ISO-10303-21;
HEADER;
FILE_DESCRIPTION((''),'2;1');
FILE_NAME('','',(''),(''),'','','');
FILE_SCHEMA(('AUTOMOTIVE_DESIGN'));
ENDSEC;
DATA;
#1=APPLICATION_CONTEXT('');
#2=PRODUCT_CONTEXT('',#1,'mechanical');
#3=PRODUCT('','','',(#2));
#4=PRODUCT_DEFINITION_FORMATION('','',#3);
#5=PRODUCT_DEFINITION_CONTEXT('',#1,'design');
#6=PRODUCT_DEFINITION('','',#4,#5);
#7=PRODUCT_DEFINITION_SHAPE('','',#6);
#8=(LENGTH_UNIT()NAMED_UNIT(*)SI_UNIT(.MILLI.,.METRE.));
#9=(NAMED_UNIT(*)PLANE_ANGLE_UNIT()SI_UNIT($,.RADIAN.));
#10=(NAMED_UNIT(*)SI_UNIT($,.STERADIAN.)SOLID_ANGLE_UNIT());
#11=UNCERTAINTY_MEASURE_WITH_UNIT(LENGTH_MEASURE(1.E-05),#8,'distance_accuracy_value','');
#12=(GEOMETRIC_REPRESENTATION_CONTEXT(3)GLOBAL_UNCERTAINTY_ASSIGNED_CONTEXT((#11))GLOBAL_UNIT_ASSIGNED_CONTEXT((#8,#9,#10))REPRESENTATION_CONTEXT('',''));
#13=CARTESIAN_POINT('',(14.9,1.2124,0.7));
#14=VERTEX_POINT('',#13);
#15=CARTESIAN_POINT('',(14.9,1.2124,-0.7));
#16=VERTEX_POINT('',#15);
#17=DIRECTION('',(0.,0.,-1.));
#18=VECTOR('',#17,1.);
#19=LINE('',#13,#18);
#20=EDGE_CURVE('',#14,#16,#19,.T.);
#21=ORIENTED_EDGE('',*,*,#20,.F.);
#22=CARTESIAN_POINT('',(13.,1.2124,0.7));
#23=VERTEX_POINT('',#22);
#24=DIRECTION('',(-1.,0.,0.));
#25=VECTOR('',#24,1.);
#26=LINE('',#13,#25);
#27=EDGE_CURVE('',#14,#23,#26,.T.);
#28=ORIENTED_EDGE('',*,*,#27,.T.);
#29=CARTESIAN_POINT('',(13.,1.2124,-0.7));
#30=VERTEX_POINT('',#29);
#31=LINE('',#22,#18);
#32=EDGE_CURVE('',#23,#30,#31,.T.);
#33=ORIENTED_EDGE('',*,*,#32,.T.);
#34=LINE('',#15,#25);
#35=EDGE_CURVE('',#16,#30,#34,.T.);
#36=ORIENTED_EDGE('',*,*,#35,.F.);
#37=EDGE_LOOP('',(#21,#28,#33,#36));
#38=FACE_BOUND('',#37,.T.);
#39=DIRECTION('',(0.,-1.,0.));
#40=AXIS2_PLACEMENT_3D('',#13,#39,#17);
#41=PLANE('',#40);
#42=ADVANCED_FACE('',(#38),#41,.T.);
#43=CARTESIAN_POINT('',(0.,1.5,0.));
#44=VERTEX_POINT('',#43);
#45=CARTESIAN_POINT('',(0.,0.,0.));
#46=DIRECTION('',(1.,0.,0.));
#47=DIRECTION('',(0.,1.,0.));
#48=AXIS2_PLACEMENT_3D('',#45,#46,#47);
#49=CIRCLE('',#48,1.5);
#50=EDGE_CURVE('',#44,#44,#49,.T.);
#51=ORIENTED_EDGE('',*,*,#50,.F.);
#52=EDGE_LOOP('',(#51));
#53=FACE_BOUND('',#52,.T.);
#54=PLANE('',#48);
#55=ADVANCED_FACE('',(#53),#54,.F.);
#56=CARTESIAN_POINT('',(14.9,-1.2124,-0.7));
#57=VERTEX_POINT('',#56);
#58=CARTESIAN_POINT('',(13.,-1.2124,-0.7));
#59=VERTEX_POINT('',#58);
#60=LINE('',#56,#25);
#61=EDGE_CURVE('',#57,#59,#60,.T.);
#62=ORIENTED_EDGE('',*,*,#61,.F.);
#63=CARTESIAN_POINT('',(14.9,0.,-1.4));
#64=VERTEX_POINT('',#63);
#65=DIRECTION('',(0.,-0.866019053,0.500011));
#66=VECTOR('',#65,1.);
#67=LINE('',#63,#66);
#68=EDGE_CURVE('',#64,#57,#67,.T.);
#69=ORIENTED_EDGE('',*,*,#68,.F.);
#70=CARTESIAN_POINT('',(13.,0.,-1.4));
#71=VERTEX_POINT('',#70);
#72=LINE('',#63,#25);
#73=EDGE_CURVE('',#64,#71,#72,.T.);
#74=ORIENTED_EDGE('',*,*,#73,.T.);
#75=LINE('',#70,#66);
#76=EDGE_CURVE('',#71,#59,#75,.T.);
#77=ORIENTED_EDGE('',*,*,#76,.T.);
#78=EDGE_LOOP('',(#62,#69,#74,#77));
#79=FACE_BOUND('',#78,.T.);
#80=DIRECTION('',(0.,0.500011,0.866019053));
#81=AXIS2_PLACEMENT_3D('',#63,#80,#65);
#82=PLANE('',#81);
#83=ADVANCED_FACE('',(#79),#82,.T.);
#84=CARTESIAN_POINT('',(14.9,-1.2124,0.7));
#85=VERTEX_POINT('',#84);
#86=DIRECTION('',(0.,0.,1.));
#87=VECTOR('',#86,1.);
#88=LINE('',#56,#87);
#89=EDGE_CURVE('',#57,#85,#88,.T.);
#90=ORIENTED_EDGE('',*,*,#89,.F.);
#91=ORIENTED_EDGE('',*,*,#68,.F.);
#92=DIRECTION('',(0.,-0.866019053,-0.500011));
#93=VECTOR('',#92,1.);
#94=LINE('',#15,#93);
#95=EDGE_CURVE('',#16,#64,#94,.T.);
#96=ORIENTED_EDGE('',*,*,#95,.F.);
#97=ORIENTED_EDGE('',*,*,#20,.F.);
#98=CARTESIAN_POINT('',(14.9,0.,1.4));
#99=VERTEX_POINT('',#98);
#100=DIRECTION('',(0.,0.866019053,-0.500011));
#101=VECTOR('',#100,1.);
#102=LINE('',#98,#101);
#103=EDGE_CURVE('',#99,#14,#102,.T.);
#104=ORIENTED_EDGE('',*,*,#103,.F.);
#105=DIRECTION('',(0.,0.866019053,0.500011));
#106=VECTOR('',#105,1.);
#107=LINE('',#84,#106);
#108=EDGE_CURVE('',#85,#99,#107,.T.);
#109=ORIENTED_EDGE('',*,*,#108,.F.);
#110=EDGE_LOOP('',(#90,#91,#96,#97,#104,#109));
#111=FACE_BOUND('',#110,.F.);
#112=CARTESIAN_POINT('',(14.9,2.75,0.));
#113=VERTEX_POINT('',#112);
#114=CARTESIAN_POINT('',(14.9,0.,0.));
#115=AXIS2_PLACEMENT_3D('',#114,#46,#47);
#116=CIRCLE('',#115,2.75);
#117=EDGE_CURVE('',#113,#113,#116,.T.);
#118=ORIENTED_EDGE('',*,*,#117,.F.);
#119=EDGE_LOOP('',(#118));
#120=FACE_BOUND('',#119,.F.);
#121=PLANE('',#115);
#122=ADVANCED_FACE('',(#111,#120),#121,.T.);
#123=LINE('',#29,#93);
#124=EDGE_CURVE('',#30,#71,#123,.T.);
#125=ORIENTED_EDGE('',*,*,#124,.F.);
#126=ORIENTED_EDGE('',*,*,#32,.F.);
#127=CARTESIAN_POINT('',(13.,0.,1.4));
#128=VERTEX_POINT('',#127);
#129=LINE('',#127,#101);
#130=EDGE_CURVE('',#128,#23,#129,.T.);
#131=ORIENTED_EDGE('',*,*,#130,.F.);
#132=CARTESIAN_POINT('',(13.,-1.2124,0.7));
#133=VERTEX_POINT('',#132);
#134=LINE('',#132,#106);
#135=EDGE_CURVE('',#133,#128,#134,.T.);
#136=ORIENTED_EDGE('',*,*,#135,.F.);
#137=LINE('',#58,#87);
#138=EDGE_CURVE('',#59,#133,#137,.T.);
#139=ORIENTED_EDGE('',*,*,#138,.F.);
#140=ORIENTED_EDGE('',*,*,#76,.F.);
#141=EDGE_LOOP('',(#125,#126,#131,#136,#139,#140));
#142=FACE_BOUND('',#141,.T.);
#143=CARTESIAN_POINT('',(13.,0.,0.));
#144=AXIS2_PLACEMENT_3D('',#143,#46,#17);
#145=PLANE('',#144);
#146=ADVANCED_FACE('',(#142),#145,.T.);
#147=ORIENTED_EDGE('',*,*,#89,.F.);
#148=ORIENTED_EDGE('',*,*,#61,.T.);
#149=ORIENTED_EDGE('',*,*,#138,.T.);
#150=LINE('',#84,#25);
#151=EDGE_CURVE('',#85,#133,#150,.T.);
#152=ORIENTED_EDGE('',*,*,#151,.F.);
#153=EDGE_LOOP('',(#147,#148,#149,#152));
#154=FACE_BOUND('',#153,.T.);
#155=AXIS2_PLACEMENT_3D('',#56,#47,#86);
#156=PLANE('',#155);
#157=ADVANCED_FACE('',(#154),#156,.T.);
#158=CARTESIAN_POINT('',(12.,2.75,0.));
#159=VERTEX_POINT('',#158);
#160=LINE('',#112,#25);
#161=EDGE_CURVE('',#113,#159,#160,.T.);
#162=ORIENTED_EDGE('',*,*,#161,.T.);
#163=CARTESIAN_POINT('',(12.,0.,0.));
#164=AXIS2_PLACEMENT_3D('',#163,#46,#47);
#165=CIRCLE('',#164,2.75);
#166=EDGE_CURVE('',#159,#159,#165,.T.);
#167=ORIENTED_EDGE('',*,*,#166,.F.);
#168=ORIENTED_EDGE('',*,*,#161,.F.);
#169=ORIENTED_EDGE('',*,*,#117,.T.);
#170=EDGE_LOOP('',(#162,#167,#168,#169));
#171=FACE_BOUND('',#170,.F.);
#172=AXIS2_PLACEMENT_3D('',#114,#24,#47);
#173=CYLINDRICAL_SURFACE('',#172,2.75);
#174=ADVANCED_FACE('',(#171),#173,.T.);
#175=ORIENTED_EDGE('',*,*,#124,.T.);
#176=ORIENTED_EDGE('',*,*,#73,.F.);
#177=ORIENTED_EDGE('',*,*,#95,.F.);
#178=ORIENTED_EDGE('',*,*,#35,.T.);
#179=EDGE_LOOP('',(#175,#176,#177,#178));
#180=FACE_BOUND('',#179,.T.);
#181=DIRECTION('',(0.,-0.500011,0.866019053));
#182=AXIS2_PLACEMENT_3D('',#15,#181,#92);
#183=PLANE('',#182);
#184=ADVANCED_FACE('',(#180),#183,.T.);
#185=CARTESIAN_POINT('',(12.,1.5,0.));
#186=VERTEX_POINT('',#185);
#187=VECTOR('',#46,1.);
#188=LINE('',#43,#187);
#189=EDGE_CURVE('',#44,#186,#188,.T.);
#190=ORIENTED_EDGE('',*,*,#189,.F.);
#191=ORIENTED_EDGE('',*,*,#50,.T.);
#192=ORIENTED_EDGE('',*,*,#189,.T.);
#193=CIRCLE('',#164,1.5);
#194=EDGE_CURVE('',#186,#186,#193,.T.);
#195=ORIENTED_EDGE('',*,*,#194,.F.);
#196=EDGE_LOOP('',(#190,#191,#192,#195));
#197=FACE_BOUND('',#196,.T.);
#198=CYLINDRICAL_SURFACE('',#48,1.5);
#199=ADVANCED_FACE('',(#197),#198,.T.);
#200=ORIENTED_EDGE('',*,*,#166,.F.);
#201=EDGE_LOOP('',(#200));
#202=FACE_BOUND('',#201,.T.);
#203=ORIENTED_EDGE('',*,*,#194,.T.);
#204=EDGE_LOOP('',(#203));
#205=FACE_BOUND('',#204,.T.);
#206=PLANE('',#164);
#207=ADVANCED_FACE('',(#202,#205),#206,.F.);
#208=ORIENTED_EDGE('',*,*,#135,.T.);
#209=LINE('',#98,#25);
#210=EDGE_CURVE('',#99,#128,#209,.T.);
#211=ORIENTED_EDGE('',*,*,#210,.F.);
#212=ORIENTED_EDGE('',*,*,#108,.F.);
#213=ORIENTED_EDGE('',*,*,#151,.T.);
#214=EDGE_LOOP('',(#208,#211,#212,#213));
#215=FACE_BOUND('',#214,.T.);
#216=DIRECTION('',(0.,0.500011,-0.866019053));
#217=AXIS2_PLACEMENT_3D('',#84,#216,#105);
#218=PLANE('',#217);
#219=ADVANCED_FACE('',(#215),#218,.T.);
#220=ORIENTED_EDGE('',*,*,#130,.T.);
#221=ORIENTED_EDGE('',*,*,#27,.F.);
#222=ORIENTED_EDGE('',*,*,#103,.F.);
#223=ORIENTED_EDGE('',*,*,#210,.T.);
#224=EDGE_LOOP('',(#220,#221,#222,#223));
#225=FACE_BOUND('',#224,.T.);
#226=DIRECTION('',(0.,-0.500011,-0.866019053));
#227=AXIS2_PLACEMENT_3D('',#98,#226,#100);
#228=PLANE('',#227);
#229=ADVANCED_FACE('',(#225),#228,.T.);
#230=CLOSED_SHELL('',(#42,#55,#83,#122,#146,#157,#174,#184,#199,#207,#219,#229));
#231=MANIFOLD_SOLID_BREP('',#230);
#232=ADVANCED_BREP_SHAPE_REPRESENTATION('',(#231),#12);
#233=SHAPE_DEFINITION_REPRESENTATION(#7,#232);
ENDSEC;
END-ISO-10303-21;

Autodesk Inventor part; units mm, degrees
ref_plane "YZ Plane" through (0, 0, 0) normal (1, 0, 0) x (0, 1, 0)
ref_plane "XZ Plane" through (0, 0, 0) normal (0, 1, 0) x (-1, 0, 0)
ref_plane "XY Plane" through (0, 0, 0) normal (0, 0, 1) x (1, 0, 0)
sketch "Sketch1" plane through (0, 0, 0) normal (0, 0, 1) x (1, 0, 0)
  line L0 (0, 0) -> (14.9, 0)
  line L1 (14.9, 0) -> (14.9, 2.75)
  line L2 (14.9, 2.75) -> (12, 2.75)
  line L3 (0, 0) -> (0, 1.5)
  line L4 (0, 1.5) -> (12, 1.5)
  line L5 (12, 1.5) -> (12, 2.75)
  dimension "d0" = 14.9
  dimension "d1" = 2.75
  dimension "d2" = 2.9
  dimension "d3" = 1.5
revolve "Revolution1" add sketch "Sketch1" angle 360 about axis through (0, 0, 0) along (1, 0, 0)
sketch "Sketch2" plane through (14.9, 0, 0) normal (1, 0, 0) x (0, 0, -1)
  line L0 (0.7, 1.2124) -> (1.4, 0)
  line L1 (1.4, 0) -> (0.7, -1.2124)
  line L2 (0.7, -1.2124) -> (-0.7, -1.2124)
  line L3 (-0.7, -1.2124) -> (-1.4, 0)
  line L4 (-1.4, 0) -> (-0.7, 1.2124)
  line L5 (-0.7, 1.2124) -> (0.7, 1.2124)
  point P0 (0, 0)
  point P1 (0, 0)
  dimension "d6" = 2.8
extrude "Extrusion1" cut sketch "Sketch2" against normal blind 1.9
thread "Thread1" size "M3x0.5" class "6g" standard "ANSI Metric M Profile" full length
properties part number "fasten_bolt" material "Steel, Mild"
